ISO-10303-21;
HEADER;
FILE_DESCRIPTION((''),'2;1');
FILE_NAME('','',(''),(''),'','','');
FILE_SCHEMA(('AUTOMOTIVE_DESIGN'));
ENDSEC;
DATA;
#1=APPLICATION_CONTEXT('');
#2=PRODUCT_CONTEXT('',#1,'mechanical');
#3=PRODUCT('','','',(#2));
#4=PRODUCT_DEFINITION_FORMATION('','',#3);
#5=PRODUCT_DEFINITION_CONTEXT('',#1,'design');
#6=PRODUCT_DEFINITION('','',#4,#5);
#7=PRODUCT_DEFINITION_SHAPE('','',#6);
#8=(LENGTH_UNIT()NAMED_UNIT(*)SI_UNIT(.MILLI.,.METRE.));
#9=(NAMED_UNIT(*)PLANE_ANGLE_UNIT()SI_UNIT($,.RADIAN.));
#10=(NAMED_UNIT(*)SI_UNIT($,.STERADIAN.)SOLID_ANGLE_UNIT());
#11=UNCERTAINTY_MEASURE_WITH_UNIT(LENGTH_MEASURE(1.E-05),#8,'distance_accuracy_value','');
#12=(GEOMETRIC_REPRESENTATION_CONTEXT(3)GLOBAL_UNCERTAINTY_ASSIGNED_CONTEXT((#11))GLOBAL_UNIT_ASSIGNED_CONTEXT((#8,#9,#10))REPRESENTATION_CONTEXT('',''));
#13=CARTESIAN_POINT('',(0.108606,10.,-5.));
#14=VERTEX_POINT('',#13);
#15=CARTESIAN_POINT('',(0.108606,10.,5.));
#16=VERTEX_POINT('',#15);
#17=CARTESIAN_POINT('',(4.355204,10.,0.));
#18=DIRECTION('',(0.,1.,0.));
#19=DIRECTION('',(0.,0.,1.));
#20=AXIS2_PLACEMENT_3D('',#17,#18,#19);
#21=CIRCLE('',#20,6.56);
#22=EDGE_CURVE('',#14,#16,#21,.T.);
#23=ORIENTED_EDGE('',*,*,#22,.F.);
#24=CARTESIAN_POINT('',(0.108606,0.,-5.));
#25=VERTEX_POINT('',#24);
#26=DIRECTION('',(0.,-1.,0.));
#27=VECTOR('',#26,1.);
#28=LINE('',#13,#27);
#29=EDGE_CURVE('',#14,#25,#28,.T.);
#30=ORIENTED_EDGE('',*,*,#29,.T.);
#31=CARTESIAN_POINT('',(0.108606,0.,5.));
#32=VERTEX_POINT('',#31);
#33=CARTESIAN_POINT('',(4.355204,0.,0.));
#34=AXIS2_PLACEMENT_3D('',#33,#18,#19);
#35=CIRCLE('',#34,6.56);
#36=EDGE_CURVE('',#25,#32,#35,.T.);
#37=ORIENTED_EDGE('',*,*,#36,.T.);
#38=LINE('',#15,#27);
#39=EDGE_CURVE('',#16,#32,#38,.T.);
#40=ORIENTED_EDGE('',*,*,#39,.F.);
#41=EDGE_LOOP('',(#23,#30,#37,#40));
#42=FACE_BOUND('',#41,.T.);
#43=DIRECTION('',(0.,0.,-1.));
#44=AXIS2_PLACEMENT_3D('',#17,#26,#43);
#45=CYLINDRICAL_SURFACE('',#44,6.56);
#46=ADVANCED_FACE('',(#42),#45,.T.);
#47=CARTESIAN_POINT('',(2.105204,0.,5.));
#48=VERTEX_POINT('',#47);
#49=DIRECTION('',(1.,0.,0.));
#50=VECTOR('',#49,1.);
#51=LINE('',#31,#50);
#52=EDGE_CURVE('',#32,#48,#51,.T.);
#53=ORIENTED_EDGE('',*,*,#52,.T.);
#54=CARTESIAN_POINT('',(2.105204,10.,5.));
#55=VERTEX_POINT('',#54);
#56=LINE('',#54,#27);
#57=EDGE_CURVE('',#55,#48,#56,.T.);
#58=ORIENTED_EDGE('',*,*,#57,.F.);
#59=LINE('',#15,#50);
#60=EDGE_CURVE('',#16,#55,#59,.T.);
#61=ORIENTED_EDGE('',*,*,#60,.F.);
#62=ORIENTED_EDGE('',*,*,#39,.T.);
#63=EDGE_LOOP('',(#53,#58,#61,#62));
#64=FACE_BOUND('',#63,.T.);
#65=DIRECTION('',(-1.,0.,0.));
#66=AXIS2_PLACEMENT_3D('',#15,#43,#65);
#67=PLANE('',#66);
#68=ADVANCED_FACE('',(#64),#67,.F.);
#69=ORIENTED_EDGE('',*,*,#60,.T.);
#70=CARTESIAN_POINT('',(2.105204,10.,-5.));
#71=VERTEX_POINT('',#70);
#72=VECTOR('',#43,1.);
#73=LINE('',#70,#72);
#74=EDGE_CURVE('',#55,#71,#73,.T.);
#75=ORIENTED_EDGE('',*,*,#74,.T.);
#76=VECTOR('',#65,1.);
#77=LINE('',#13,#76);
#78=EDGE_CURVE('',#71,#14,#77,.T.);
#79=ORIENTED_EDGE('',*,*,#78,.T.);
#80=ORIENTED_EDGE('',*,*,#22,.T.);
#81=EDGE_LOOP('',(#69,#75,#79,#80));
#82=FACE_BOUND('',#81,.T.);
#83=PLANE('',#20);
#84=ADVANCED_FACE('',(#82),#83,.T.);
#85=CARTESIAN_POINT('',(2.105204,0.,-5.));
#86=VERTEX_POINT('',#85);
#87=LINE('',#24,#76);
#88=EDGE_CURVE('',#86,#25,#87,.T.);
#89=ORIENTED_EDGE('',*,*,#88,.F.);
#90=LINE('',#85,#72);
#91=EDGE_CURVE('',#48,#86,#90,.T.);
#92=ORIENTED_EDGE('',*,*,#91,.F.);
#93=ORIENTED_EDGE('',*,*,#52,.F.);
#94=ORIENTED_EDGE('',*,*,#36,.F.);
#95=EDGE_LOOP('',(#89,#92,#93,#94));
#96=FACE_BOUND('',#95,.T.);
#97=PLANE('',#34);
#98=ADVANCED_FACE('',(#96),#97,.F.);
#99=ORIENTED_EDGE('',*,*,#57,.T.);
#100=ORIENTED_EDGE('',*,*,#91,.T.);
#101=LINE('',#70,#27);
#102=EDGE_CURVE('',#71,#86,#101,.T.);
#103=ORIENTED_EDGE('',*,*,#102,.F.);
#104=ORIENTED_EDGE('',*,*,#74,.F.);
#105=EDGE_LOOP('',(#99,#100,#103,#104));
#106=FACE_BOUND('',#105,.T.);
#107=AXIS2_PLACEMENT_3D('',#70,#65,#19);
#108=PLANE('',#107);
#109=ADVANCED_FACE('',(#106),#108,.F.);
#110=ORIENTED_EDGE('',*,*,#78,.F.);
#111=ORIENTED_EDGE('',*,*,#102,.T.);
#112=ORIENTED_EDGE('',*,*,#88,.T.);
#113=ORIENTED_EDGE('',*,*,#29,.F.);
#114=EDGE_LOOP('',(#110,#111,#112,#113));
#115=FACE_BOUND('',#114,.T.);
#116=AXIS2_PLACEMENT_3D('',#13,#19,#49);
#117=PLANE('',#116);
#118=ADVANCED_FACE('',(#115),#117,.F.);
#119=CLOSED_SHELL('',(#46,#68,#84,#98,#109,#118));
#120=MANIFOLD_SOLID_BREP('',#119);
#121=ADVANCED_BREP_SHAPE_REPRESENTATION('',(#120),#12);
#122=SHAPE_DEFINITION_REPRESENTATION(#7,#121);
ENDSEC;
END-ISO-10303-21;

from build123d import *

# Parameters (mm, degrees)
EXTRUDE_1_DEPTH = 10


with BuildPart() as part:
    # 草图1 → 凸台-拉伸1 (new body)
    with BuildSketch(Plane(origin=(0, 0, 0), x_dir=(1, 0, 0), z_dir=(0, 1, 0))):
        with BuildLine():
            Line((0.108605696, 5), (2.105204335, 5))
            Line((2.105204335, 5), (2.105204335, -5))
            Line((2.105204335, -5), (0.108605696, -5))
            ThreePointArc((0.108605696, -5), (-2.204795665, 0), (0.108605696, 5))
        make_face()
    extrude(amount=EXTRUDE_1_DEPTH)


solid = part.part
